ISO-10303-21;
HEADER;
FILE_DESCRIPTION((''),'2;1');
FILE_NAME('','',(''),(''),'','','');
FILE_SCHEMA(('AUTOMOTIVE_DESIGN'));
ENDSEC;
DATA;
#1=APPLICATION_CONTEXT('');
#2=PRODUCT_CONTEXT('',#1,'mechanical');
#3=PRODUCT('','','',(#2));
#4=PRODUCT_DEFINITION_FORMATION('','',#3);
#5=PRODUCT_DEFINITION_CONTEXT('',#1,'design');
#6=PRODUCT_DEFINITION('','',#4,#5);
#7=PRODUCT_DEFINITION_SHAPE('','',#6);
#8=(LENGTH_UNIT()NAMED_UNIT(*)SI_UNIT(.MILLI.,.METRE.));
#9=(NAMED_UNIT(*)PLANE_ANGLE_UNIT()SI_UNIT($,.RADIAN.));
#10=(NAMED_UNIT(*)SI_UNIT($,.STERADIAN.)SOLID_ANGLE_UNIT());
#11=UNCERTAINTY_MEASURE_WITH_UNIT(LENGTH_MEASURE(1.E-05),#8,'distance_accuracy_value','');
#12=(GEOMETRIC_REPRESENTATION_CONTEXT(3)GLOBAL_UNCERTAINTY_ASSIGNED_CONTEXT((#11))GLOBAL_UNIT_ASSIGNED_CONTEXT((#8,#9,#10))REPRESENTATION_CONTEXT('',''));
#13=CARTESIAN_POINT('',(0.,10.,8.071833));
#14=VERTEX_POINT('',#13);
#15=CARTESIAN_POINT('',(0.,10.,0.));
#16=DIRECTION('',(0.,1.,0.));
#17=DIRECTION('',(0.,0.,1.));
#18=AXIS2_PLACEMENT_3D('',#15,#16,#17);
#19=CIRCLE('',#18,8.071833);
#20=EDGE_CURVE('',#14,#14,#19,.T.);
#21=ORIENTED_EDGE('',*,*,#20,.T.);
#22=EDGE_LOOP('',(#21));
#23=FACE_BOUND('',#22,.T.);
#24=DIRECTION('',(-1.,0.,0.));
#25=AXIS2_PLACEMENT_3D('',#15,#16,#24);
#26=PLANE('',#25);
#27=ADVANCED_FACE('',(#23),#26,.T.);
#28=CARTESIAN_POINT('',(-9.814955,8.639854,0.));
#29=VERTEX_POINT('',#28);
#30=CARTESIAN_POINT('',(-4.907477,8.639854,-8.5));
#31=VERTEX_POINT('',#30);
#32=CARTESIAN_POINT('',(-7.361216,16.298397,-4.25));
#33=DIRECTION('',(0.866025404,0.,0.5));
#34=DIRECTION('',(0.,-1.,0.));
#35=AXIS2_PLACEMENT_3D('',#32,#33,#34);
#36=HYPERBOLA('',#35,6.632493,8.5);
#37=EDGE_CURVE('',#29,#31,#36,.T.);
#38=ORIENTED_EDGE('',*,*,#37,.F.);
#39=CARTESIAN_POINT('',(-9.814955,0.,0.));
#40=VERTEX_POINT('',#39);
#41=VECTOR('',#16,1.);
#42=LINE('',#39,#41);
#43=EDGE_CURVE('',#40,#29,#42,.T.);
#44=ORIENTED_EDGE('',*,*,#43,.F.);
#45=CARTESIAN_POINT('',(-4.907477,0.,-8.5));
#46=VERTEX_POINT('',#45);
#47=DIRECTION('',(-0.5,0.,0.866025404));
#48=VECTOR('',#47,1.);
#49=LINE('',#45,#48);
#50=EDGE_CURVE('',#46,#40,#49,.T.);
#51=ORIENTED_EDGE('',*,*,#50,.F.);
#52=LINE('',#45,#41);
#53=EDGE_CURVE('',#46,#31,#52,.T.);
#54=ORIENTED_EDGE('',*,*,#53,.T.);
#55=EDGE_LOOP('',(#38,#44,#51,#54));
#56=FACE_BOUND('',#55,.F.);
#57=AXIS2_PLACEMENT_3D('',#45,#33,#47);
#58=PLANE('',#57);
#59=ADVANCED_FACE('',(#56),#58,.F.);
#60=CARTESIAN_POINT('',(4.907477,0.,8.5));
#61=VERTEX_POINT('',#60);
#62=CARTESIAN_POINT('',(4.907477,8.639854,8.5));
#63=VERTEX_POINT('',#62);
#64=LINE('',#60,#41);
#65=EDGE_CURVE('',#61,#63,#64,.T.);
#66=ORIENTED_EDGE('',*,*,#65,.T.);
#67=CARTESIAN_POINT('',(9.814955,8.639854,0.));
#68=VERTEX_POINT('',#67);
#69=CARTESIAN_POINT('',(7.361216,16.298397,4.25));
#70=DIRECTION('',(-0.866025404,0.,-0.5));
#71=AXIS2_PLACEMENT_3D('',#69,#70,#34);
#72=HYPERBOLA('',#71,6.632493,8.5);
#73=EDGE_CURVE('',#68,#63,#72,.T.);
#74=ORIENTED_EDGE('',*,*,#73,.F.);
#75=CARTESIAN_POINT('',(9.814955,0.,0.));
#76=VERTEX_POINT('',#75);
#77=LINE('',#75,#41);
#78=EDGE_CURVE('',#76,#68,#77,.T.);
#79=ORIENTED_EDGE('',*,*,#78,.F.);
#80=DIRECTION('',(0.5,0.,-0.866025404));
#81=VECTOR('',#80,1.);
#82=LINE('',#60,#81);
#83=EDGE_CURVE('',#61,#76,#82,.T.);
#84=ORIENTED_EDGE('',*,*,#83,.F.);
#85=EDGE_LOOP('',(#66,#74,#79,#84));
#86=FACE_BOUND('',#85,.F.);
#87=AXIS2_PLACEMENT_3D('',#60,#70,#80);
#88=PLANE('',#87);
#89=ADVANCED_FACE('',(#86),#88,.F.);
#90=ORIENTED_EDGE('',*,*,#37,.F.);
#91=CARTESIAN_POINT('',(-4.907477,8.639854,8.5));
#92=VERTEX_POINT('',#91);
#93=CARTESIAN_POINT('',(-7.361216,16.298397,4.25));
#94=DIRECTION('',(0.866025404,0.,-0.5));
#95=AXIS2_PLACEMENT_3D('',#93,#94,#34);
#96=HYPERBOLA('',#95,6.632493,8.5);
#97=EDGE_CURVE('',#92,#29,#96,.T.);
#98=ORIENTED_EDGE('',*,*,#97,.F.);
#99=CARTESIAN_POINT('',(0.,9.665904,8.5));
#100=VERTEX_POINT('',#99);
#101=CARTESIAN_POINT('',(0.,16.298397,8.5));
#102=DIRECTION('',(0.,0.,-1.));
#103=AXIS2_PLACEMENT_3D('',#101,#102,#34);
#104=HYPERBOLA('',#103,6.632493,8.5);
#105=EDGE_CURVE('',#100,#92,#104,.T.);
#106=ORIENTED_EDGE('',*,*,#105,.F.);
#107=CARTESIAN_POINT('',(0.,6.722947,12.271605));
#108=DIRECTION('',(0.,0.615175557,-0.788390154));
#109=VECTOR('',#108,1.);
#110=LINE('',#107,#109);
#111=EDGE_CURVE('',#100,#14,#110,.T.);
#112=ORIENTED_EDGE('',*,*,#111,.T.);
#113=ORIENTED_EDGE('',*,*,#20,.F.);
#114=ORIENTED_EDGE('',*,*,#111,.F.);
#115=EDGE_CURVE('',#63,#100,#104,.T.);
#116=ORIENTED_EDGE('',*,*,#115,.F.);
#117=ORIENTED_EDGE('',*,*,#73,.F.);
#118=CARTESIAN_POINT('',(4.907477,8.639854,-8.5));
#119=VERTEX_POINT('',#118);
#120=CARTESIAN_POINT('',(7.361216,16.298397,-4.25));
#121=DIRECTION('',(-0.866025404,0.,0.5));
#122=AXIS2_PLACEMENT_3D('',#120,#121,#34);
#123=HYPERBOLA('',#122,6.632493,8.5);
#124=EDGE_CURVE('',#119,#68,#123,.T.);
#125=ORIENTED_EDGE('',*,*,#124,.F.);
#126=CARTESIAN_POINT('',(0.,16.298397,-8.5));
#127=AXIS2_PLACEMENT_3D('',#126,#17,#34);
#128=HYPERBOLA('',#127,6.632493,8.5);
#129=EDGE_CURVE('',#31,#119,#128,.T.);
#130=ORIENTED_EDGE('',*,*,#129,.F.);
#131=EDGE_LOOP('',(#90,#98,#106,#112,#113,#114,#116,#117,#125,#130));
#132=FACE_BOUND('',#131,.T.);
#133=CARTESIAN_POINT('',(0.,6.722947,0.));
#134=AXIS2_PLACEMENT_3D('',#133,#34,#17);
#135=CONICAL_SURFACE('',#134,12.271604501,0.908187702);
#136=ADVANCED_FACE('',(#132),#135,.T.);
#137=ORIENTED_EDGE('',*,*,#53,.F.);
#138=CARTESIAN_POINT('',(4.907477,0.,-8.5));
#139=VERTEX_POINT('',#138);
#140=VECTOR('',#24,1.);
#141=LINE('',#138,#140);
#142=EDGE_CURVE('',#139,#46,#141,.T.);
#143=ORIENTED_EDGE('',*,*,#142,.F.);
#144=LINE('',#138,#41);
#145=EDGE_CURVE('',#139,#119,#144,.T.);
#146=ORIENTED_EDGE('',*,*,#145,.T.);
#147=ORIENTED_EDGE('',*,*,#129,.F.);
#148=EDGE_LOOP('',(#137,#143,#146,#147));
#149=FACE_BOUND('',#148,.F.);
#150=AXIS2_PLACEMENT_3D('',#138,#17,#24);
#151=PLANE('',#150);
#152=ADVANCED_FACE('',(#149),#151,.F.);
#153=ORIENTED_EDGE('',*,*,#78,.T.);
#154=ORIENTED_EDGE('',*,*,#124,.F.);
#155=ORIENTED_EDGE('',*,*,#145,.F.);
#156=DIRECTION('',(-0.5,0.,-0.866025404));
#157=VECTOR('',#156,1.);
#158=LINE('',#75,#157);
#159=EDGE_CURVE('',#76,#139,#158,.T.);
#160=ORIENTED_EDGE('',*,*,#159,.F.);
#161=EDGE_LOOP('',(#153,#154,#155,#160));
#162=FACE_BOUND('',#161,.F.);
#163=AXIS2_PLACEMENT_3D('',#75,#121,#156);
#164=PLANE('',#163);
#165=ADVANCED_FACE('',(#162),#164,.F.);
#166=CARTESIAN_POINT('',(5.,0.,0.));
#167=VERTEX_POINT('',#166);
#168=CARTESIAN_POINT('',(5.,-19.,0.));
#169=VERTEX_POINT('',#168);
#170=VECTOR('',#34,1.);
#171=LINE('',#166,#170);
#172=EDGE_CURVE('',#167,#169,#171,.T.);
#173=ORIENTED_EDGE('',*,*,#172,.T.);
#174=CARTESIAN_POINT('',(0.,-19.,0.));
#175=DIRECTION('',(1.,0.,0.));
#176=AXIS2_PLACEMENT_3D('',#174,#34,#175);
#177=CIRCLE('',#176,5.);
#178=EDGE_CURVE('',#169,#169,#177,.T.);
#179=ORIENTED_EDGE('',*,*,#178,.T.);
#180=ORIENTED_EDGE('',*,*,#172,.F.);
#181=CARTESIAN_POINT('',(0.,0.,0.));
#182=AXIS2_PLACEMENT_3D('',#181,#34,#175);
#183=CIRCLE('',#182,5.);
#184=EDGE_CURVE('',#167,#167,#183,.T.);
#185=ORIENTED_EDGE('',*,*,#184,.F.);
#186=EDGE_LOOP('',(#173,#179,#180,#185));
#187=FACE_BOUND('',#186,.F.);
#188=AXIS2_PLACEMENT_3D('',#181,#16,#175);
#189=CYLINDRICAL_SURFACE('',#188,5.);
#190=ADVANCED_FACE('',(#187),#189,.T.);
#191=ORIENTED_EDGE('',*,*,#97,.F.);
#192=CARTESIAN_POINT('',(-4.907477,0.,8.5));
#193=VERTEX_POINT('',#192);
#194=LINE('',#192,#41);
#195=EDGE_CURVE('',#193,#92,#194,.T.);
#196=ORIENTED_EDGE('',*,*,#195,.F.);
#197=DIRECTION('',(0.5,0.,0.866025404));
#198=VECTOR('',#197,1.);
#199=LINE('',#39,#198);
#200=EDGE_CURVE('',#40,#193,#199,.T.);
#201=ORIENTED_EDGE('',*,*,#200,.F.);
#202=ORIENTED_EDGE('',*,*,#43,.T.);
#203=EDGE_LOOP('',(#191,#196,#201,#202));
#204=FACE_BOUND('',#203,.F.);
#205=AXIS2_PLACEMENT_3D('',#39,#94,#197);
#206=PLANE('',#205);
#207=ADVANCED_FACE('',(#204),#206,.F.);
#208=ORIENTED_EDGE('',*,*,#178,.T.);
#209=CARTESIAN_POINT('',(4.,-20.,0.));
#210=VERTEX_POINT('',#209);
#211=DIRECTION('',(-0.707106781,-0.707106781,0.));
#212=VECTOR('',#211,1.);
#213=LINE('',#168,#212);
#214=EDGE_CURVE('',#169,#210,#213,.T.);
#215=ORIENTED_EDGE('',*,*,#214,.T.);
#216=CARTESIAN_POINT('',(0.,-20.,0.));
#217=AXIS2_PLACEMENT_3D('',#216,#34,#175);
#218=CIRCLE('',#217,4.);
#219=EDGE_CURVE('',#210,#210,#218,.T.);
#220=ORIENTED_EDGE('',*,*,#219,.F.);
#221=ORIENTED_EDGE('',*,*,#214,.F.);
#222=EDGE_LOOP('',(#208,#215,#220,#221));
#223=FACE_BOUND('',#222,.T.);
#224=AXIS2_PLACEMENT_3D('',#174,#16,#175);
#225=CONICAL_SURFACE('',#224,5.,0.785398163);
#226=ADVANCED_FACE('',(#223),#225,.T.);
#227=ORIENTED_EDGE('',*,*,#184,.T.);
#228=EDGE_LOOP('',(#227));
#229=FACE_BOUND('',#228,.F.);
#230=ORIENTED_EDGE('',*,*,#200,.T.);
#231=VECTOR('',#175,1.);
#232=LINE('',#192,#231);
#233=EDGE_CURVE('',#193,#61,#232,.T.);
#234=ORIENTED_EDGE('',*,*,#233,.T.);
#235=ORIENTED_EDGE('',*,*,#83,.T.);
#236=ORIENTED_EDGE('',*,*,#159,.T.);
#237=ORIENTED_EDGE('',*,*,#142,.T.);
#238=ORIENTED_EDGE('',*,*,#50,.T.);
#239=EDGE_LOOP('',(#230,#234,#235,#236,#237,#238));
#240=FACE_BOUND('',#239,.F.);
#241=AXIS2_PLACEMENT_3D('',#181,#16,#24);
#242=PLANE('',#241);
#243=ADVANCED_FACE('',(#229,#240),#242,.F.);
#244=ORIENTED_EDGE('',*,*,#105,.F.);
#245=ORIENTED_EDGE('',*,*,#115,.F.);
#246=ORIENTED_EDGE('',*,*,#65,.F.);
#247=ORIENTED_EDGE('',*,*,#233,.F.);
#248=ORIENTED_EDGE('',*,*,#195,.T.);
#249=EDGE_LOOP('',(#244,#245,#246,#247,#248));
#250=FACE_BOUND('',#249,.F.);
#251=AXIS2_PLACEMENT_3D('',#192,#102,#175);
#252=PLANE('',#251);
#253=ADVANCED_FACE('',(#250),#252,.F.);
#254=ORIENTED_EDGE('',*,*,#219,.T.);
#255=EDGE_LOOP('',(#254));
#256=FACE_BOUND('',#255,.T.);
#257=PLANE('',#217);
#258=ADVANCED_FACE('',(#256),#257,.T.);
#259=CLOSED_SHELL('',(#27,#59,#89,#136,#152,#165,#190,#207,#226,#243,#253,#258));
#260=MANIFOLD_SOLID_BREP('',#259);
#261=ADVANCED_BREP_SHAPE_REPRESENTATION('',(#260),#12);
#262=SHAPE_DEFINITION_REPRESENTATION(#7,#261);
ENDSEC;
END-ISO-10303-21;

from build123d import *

# Parameters (mm, degrees)
F1_R     = 5
F2_DEPTH = 20
F3_R     = 5
F4_DEPTH = 10
F7_SIZE  = 1


with BuildPart() as f2:
    # F1 (on Front) → F2 (new body)
    with BuildSketch(Plane.XZ):
        Circle(F1_R)
    extrude(amount=F2_DEPTH)

    # F3 (on face) → F4 (join)
    with BuildSketch(Plane(origin=(0, 0, 0), x_dir=(-1, 0, 0), z_dir=(0, 1, 0))):
        Polygon((4.9074772881, 8.5), (-4.9074772881, 8.5), (-9.8149545762, 0), (-4.9074772881, -8.5), (4.9074772881, -8.5), (9.8149545762, 0), align=None)
        Circle(F3_R, mode=Mode.SUBTRACT)
        Circle(F3_R)
    extrude(amount=F4_DEPTH)

    # F5 (on Right) → F6 (revolve, cut)
    with BuildSketch(Plane.YZ):
        Polygon((13.2906628903, 17.3963494964), (6.7229466513, 12.2716045007), (10, 8.0718332902), align=None)
    revolve(axis=Axis((0, 0, 0), (0, 1, 0)), mode=Mode.SUBTRACT)

    # F7
    f7_edges = [f2.edges().sort_by_distance(p)[0] for p in [
        (-5, -20, 0),
    ]]
    chamfer(f7_edges, length=F7_SIZE)


with BuildPart() as f8_1:
    # F8: copy of F2
    add(f2.part.moved(Location((25, 0, 0))))


with BuildPart() as f10_1:
    # F10: copy of F2
    add(f2.part)


with BuildPart() as f12_1:
    # F12: copy of F2
    add(f2.part.moved(Location((50, 0, 0))))


solid = f2.part
